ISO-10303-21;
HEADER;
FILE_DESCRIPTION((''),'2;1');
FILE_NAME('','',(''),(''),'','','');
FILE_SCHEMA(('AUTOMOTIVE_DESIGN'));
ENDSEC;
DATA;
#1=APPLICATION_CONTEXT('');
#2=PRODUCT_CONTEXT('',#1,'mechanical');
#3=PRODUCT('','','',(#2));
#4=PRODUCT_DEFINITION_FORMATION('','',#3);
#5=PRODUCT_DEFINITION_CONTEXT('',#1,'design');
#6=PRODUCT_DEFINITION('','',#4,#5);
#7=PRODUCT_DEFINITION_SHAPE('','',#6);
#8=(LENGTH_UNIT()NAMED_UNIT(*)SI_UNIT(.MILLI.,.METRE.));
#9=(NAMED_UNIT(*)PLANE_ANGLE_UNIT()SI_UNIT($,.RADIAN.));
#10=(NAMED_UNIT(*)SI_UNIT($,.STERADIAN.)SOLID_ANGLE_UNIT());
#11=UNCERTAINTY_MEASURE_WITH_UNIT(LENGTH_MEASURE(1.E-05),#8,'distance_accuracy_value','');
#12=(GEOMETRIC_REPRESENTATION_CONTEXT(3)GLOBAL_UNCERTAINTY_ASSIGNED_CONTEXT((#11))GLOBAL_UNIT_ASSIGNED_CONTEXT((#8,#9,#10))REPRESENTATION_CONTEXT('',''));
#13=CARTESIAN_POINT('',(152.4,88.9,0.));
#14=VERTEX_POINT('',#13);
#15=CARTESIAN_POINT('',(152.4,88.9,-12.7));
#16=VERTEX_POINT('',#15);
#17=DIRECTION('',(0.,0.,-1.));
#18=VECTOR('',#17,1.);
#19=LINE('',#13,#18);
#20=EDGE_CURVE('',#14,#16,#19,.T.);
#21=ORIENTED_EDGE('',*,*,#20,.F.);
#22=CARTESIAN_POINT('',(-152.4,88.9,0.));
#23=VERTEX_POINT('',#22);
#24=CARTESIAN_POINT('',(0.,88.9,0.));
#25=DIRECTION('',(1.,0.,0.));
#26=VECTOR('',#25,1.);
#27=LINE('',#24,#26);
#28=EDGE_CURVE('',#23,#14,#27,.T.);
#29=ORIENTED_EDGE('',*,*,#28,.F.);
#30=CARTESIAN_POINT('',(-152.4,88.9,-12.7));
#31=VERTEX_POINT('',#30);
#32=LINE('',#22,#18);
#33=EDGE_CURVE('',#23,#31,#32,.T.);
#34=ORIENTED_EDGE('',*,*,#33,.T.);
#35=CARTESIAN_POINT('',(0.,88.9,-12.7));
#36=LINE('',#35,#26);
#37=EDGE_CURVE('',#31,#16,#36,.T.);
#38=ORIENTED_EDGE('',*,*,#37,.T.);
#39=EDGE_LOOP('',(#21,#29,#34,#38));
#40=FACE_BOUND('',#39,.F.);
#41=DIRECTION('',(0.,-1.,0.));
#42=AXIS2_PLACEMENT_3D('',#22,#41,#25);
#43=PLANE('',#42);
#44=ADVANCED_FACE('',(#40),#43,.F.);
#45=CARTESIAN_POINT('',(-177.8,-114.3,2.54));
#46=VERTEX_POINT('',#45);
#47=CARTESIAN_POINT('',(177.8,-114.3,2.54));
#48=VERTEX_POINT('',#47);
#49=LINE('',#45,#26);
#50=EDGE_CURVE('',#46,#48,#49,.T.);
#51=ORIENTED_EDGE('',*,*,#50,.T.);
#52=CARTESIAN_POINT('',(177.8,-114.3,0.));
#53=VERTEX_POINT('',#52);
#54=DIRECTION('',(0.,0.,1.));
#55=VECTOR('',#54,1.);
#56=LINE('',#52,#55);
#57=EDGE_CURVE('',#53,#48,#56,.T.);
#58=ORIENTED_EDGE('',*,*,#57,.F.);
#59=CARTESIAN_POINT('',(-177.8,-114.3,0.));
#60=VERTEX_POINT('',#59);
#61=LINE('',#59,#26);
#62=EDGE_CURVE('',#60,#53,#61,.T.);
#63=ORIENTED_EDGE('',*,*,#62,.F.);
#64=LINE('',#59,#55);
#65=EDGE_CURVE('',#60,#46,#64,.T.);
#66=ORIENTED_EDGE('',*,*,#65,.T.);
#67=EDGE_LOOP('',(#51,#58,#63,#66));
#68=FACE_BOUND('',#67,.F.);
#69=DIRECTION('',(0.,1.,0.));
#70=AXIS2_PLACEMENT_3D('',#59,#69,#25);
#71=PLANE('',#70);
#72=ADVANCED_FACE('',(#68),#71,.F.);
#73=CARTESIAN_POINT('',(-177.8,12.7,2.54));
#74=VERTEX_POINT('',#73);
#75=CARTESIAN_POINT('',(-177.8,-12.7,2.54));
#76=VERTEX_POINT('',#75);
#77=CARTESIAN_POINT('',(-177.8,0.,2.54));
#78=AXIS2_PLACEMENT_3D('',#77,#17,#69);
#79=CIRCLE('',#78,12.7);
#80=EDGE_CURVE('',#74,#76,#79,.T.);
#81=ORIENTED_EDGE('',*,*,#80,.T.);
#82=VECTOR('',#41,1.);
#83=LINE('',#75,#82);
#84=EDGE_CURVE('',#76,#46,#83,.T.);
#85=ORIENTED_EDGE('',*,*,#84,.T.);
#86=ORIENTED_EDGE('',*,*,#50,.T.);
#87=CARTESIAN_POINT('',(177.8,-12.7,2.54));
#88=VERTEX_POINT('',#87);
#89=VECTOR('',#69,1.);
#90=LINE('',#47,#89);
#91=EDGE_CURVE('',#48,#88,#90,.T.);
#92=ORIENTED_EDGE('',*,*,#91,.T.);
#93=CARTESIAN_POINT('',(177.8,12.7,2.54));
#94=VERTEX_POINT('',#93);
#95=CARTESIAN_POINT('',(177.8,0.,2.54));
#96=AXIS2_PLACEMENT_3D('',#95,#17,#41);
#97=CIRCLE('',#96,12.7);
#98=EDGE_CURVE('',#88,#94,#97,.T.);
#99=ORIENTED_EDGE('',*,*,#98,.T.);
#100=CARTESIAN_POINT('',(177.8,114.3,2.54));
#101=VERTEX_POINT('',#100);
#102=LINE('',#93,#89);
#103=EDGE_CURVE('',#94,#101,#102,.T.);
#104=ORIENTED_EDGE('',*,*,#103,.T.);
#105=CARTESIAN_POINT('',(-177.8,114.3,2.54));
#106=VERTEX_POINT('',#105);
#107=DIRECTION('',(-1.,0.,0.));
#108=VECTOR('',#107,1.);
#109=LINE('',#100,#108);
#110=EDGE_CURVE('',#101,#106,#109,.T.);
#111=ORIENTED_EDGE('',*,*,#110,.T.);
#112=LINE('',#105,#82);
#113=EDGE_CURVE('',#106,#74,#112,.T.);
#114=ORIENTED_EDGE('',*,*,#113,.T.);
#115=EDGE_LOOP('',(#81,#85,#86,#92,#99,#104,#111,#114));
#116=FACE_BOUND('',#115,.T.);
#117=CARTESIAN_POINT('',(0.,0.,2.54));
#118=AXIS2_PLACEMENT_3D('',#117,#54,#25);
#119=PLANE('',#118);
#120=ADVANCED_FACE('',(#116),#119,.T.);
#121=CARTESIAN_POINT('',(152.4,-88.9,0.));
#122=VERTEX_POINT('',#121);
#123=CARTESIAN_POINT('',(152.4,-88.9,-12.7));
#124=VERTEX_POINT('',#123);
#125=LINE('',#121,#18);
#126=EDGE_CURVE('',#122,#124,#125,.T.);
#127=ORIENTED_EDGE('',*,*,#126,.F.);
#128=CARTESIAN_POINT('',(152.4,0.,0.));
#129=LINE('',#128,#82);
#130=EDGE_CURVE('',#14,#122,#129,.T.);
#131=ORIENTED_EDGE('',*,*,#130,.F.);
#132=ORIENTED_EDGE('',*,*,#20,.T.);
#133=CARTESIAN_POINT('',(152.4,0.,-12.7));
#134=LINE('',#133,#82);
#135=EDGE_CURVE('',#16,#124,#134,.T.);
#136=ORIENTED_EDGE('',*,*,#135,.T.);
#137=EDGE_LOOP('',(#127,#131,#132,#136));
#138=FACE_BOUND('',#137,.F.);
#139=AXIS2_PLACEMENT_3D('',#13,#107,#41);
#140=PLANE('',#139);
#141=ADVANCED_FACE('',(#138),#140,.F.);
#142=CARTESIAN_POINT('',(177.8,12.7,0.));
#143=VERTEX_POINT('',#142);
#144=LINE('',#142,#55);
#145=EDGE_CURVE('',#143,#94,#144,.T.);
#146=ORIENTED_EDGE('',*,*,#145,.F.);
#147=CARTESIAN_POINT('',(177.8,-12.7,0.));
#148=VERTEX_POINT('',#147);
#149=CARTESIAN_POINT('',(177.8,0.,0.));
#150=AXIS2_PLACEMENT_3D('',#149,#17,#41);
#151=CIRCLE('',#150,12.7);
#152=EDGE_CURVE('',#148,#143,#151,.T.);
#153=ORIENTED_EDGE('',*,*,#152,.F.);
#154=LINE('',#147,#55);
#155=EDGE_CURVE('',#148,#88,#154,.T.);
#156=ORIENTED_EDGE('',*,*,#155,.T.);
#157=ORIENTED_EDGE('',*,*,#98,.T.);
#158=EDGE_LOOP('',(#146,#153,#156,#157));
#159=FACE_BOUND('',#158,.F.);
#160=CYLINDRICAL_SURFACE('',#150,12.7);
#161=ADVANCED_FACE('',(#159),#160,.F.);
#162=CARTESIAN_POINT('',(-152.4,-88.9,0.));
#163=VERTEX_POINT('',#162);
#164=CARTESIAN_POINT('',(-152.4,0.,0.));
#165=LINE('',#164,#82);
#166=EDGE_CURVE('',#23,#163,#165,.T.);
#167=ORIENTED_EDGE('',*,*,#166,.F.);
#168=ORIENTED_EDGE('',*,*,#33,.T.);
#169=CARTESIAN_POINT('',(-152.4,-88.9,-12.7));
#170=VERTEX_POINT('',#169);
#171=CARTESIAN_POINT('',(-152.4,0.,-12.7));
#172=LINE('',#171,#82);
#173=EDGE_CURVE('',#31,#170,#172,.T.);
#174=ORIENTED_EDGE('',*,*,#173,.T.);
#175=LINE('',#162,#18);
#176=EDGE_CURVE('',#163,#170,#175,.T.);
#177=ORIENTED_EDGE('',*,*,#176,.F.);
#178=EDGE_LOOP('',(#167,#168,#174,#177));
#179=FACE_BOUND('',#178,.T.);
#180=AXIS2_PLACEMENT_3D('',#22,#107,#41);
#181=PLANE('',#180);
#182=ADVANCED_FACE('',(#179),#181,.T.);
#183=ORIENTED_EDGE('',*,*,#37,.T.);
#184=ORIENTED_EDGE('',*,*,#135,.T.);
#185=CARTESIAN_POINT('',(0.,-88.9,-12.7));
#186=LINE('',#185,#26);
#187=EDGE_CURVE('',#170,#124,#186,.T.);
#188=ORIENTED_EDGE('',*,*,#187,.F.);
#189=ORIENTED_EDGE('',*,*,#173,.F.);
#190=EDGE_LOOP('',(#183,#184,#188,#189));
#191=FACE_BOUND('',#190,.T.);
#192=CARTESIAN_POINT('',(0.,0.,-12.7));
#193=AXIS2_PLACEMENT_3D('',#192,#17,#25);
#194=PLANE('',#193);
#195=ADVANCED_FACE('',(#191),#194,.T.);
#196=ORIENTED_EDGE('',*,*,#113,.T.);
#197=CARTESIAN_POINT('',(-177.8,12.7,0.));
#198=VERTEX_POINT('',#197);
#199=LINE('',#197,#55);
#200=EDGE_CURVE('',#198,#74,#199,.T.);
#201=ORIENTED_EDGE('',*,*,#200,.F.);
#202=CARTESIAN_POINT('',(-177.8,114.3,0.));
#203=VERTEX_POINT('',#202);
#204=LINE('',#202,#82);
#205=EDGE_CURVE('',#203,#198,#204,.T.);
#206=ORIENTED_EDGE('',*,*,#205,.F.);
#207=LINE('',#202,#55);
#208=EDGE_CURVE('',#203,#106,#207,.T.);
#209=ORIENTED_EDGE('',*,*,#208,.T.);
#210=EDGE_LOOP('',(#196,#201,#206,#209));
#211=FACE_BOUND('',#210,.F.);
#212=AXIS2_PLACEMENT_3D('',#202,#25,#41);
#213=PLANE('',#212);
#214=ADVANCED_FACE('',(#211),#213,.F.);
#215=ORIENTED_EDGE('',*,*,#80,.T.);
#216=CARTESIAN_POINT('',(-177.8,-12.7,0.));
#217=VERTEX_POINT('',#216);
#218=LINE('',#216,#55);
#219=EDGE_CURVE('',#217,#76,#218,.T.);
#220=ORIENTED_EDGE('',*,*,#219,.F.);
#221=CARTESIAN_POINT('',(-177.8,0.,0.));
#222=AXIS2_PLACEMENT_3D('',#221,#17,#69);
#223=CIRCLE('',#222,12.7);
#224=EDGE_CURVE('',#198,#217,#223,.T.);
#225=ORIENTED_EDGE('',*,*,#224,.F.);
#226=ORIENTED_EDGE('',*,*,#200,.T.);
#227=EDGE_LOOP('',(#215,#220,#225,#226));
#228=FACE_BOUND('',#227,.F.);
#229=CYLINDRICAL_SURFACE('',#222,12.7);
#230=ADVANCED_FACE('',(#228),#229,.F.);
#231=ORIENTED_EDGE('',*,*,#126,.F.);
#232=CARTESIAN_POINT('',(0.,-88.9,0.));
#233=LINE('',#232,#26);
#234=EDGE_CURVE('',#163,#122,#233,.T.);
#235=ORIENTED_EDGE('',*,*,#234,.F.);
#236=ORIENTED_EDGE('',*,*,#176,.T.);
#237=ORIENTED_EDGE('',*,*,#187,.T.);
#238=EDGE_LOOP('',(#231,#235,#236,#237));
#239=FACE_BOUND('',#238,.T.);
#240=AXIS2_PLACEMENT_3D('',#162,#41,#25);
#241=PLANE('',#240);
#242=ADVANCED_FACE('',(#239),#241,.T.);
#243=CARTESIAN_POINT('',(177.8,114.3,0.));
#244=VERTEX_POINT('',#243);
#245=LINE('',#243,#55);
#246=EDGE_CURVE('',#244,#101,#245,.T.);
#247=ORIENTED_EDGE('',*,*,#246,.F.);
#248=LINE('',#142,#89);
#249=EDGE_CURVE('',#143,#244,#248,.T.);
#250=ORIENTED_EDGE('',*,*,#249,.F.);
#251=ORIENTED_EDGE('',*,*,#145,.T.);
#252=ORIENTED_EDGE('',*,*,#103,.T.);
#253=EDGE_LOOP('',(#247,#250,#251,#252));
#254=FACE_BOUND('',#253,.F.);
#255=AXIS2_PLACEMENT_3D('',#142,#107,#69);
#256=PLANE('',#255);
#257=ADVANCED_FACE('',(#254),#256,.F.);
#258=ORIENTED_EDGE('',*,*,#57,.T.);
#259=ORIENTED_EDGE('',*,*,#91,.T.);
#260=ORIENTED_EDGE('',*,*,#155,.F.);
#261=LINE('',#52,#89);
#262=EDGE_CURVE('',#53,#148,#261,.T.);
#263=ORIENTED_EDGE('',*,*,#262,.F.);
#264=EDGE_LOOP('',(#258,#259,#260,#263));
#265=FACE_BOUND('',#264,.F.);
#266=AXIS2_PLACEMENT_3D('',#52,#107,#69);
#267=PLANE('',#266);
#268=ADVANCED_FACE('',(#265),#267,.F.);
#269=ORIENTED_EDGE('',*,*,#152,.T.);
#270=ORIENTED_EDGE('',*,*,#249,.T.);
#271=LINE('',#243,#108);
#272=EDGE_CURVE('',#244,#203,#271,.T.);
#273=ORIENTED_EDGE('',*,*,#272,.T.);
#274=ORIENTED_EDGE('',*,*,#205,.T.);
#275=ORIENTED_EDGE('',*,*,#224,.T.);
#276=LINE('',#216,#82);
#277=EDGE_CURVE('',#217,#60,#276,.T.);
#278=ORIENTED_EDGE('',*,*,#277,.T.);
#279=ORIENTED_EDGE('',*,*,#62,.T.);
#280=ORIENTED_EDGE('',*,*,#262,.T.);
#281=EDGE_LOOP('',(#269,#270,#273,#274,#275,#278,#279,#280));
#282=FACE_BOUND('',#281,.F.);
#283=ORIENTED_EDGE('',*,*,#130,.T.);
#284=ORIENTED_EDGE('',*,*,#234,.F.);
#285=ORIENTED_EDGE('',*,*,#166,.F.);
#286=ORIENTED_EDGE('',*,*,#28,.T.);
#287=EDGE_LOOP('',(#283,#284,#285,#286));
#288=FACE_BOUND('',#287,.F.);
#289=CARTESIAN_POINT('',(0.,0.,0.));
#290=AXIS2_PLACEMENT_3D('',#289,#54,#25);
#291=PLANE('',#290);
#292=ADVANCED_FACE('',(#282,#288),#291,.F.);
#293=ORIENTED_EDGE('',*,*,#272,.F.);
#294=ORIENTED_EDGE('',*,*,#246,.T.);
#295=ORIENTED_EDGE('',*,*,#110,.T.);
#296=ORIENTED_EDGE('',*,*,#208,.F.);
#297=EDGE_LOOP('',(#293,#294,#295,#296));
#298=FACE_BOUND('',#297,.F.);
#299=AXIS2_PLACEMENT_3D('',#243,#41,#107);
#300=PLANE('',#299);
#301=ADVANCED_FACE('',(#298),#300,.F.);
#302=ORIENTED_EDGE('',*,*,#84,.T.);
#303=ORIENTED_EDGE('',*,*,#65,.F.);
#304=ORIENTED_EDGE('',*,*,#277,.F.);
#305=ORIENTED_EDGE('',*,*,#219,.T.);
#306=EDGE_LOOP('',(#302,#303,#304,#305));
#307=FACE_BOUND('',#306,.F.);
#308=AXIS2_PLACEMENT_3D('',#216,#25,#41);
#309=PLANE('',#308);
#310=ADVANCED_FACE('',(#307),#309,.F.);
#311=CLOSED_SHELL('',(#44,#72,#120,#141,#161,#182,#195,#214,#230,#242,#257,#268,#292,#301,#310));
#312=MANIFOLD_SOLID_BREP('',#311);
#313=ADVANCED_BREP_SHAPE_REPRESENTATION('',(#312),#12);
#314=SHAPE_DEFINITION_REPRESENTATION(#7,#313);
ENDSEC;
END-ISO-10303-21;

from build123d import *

# Parameters (mm, degrees)
F1_DEPTH = 2.54
F2_W     = 304.8
F2_H     = 177.8
F3_DEPTH = 12.7


with BuildPart() as f1:
    # F0 (on Top) → F1 (new body)
    with BuildSketch(Plane.XY):
        with BuildLine():
            Line((177.8, 114.3), (-177.8, 114.3))
            Line((-177.8, 114.3), (-177.8, 12.7))
            ThreePointArc((-177.8, 12.7), (-165.1, 0), (-177.8, -12.7))
            Line((-177.8, -12.7), (-177.8, -114.3))
            Line((-177.8, -114.3), (177.8, -114.3))
            Line((177.8, -114.3), (177.8, -12.7))
            ThreePointArc((177.8, -12.7), (165.1, 0), (177.8, 12.7))
            Line((177.8, 12.7), (177.8, 114.3))
        make_face()
    extrude(amount=F1_DEPTH)

    # F2 (on face) → F3 (join)
    with BuildSketch(Plane(origin=(0, 0, 0), x_dir=(1, 0, 0), z_dir=(0, 0, -1))):
        Rectangle(F2_W, F2_H)
    extrude(amount=F3_DEPTH)


solid = f1.part
